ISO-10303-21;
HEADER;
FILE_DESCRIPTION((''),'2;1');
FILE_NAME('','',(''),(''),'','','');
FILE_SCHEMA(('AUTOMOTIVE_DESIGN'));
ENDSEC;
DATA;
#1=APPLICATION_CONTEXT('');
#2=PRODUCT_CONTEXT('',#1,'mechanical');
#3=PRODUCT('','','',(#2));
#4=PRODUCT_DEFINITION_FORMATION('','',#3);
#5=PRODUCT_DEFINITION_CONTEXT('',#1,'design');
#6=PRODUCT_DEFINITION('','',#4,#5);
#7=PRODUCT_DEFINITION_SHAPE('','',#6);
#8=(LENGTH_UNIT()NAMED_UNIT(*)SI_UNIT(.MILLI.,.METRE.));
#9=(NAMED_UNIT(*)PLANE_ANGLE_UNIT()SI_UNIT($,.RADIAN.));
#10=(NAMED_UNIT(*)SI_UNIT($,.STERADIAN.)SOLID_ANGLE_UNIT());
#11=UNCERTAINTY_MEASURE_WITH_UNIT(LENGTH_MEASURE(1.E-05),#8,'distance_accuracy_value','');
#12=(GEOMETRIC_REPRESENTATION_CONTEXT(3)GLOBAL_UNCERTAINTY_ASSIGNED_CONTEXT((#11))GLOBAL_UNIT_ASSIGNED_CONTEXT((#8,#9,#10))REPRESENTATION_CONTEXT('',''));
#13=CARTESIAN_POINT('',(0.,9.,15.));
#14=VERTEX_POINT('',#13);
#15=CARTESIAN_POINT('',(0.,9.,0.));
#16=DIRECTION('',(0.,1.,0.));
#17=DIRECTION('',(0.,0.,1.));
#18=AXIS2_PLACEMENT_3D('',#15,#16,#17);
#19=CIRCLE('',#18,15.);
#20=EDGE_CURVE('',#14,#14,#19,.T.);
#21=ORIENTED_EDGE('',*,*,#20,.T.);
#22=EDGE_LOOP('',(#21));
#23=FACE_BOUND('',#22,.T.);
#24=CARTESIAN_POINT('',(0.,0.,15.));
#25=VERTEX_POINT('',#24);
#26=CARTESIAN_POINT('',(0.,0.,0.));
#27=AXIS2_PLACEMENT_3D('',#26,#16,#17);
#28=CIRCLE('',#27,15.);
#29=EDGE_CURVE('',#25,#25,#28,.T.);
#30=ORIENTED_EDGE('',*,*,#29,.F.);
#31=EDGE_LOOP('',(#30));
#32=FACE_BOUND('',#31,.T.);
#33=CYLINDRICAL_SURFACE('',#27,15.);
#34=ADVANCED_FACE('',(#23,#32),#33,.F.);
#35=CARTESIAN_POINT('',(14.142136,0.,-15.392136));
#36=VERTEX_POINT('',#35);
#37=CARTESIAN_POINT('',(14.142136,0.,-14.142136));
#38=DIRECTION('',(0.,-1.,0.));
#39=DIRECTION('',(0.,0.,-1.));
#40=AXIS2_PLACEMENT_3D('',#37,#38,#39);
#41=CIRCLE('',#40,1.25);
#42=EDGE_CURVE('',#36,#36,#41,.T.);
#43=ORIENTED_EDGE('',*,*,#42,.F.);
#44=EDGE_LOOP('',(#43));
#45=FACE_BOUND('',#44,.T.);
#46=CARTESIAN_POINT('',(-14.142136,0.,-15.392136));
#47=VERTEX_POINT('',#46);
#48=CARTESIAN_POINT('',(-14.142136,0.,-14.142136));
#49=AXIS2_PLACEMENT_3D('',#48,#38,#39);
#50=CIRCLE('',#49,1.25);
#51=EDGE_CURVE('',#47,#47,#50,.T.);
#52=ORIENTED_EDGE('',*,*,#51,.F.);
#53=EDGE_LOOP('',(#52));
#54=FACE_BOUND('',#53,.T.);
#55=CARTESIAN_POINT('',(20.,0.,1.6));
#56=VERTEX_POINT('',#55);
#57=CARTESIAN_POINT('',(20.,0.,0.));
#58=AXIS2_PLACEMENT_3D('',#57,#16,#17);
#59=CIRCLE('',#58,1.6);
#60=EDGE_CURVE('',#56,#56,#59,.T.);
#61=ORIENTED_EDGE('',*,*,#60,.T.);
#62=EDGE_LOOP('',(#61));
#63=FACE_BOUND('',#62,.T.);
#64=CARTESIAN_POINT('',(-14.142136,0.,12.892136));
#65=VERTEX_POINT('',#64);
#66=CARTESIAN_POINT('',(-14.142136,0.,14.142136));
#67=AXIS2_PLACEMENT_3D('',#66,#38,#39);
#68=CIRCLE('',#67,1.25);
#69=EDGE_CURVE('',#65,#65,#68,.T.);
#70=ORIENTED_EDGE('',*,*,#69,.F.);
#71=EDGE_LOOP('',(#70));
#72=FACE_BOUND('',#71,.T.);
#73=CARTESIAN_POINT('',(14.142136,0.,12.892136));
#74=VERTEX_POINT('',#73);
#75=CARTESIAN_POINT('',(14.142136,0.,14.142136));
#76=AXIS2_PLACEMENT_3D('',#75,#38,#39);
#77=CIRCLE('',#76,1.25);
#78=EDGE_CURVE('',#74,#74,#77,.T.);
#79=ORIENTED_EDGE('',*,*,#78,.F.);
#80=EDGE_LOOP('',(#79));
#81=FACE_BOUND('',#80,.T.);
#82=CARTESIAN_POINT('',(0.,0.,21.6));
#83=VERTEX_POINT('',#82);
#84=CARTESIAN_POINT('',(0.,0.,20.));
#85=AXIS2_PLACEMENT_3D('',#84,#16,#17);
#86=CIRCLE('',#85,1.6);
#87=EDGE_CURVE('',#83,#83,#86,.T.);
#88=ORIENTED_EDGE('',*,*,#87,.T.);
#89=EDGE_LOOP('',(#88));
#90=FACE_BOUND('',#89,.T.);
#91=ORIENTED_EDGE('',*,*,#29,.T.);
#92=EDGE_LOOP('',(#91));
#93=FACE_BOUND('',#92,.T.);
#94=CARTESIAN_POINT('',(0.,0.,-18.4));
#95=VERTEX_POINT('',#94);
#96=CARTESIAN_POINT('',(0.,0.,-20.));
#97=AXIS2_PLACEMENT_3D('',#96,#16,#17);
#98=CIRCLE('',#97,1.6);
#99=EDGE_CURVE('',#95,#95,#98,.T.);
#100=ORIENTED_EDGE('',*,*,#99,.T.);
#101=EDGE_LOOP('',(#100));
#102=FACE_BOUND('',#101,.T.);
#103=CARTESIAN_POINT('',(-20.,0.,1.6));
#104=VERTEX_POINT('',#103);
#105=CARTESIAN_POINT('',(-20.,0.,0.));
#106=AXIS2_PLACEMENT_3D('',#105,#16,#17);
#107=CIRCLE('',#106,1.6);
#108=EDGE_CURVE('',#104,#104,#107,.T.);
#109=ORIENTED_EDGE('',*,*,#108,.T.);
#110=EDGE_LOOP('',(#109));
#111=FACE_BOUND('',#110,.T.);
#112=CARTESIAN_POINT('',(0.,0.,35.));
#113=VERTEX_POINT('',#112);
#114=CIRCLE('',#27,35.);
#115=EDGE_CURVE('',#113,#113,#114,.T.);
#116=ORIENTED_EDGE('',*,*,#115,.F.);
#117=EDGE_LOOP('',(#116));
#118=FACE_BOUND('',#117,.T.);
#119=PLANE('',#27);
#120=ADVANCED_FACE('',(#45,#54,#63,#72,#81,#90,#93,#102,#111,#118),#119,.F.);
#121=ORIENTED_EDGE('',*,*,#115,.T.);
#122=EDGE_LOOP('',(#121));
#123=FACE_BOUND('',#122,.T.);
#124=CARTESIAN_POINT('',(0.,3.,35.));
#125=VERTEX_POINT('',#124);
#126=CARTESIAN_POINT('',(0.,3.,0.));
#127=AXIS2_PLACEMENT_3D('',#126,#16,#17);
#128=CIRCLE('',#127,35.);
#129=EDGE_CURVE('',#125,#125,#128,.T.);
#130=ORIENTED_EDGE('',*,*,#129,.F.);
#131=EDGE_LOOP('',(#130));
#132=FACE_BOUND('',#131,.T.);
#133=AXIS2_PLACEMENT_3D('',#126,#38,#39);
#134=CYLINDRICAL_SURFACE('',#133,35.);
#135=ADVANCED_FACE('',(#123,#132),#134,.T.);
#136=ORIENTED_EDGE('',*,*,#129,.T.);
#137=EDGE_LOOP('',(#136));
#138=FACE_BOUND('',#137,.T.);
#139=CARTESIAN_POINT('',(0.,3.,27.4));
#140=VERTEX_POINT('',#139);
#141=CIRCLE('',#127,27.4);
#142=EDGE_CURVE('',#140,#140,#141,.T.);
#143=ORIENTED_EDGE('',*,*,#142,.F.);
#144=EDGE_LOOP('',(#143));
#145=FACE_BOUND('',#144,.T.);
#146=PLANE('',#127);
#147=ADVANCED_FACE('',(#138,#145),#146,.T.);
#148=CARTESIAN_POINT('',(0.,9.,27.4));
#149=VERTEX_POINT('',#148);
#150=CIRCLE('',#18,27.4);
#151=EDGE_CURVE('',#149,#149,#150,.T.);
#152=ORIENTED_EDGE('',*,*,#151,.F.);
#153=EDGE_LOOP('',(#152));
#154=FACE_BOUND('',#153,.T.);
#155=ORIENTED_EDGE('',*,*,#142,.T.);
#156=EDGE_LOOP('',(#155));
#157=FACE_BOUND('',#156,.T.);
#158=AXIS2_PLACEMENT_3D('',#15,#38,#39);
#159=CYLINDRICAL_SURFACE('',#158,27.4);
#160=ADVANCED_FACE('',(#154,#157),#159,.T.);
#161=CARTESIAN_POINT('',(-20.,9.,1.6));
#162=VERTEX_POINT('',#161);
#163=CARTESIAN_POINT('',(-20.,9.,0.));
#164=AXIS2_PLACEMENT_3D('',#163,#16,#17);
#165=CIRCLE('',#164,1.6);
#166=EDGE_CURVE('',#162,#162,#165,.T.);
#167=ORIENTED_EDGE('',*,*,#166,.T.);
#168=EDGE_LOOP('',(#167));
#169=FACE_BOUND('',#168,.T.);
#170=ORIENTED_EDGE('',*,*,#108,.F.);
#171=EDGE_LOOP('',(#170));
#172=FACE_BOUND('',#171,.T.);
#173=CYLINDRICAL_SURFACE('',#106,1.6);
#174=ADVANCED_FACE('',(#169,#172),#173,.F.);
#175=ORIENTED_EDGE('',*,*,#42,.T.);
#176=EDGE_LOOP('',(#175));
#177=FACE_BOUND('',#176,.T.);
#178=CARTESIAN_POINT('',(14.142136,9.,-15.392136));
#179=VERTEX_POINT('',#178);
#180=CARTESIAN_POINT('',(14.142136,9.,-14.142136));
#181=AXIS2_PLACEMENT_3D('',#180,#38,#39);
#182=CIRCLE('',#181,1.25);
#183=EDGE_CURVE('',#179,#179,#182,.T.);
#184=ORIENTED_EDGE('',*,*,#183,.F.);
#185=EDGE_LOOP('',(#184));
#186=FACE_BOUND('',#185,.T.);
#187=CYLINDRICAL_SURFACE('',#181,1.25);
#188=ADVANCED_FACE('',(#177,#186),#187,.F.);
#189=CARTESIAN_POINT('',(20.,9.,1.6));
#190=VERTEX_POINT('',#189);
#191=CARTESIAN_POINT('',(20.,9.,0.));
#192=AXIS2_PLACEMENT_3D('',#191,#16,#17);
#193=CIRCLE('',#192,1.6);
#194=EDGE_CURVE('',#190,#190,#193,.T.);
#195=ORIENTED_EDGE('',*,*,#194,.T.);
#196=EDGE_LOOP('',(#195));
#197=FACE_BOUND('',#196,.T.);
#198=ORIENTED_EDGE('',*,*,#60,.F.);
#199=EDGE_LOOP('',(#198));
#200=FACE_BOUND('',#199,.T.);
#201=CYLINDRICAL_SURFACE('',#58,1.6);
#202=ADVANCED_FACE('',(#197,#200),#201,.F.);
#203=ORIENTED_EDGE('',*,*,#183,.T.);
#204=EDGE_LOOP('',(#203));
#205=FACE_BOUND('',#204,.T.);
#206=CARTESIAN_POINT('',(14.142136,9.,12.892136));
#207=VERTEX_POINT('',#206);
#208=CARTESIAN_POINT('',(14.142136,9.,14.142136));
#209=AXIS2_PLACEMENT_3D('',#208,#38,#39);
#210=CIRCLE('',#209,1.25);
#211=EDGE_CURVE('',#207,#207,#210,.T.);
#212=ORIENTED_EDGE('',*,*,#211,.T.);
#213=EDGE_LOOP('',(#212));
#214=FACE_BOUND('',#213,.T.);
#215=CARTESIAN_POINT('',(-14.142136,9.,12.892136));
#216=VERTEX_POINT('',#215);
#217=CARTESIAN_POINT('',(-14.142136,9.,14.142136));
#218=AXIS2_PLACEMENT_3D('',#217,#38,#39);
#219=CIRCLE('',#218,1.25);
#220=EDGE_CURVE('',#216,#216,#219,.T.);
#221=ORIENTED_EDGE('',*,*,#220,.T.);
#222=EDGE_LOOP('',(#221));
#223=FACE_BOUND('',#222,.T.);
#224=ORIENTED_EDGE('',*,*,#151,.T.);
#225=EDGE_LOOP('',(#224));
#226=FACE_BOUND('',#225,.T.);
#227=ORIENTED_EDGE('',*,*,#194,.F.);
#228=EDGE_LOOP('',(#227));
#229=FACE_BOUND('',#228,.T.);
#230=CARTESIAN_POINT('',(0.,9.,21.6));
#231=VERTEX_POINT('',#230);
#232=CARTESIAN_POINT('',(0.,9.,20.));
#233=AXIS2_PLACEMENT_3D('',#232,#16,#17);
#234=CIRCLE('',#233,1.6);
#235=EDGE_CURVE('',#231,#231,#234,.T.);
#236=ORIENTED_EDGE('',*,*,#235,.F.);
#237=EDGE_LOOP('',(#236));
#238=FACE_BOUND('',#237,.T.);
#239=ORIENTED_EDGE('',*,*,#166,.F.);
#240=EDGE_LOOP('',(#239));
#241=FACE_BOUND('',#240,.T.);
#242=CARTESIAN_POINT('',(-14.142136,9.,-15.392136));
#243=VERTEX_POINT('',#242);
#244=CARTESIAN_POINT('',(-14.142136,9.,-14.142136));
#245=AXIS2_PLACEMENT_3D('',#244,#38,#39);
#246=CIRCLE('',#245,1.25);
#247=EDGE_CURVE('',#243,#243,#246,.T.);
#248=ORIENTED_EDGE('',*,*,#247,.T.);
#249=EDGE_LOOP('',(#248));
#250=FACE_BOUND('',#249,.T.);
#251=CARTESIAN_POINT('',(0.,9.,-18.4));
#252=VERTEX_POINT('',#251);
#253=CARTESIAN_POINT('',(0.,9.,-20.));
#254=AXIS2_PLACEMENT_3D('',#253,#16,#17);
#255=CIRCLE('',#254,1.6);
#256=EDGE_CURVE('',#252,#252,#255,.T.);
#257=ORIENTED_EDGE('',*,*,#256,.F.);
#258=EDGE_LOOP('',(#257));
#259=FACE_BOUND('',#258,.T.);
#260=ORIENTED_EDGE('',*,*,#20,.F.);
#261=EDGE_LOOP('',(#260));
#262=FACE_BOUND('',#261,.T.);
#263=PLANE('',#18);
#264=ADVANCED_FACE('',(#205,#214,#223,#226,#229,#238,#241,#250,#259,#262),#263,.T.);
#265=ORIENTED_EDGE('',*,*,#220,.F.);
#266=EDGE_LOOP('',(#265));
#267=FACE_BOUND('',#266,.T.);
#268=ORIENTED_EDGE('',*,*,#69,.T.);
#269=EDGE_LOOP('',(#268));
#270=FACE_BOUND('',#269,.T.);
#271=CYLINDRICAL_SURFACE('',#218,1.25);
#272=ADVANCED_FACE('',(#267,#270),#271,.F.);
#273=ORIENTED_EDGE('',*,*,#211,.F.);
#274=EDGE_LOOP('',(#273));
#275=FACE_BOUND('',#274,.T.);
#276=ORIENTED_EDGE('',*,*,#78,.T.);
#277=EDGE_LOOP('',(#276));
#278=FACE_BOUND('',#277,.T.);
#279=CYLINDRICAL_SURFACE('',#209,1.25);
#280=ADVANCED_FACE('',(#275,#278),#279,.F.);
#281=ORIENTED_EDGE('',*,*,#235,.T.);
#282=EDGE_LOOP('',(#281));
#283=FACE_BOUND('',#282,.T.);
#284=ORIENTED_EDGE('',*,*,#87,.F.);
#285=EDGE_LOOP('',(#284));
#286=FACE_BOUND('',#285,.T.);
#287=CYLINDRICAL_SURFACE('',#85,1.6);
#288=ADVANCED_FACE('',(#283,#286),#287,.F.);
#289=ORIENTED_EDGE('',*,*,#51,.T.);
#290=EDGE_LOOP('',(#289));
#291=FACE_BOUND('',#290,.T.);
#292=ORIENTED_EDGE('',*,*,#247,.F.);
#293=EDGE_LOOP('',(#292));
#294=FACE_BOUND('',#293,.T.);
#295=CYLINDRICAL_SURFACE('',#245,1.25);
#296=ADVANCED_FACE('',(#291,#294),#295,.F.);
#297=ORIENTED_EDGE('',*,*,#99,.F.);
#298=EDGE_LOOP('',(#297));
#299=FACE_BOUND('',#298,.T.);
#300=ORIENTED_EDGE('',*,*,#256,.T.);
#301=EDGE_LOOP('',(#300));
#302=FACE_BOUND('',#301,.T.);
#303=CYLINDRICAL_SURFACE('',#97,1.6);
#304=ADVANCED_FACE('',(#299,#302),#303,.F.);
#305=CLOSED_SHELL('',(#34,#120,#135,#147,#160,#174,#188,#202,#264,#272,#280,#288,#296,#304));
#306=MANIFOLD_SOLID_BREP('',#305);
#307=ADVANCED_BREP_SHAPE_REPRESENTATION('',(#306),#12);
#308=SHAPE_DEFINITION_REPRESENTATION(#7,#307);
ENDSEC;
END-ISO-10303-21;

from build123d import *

# Parameters (mm, degrees)
SKETCH_1_R          = 35
EXTRUDE_1_DEPTH     = 3
SKETCH_2_R          = 27.4
EXTRUDE_2_DEPTH     = 6
SKETCH_3_R          = 1.6
CUT_EXTRUDE_1_DEPTH = 51.309044912
SKETCH_4_R          = 15
CUT_EXTRUDE_2_DEPTH = 51.309044912
SKETCH_5_R          = 1.25
CUT_EXTRUDE_3_DEPTH = 51.309044912


with BuildPart() as part:
    # ｽｹｯﾁ1 → ﾎﾞｽ - 押し出し1 (new body)
    with BuildSketch(Plane(origin=(0, 0, 0), x_dir=(1, 0, 0), z_dir=(0, 1, 0))):
        with Locations(Location((0, 0, 0), (0, 0, 270))):
            Circle(SKETCH_1_R)
    extrude(amount=EXTRUDE_1_DEPTH)

    # ｽｹｯﾁ2 → ﾎﾞｽ - 押し出し2 (add)
    with BuildSketch(Plane(origin=(0, 3, 0), x_dir=(1, 0, 0), z_dir=(0, 1, 0))):
        with Locations(Location((0, 0, 0), (0, 0, 270))):
            Circle(SKETCH_2_R)
    extrude(amount=EXTRUDE_2_DEPTH)

    # ｽｹｯﾁ3 → ｶｯﾄ - 押し出し1 (cut, through all)
    with BuildSketch(Plane(origin=(0, 9, 0), x_dir=(1, 0, 0), z_dir=(0, 1, 0))):
        with Locations(Location((0, 20, 0), (0, 0, 270))):
            Circle(SKETCH_3_R)
        with Locations(Location((20, 0, 0), (0, 0, 270))):
            Circle(SKETCH_3_R)
        with Locations(Location((0, -20, 0), (0, 0, 270))):
            Circle(SKETCH_3_R)
        with Locations(Location((-20, 0, 0), (0, 0, 270))):
            Circle(SKETCH_3_R)
    extrude(amount=-CUT_EXTRUDE_1_DEPTH, mode=Mode.SUBTRACT)

    # ｽｹｯﾁ4 → ｶｯﾄ - 押し出し2 (cut, through all)
    with BuildSketch(Plane(origin=(0, 9, 0), x_dir=(1, 0, 0), z_dir=(0, 1, 0))):
        with Locations(Location((0, 0, 0), (0, 0, 270))):
            Circle(SKETCH_4_R)
    extrude(amount=-CUT_EXTRUDE_2_DEPTH, mode=Mode.SUBTRACT)

    # ｽｹｯﾁ5 → ｶｯﾄ - 押し出し3 (cut, through all)
    with BuildSketch(Plane.XZ):
        with Locations(Location((-14.142135624, 14.142135624, 0), (0, 0, 270))):
            Circle(SKETCH_5_R)
        with Locations(Location((14.142135624, 14.142135624, 0), (0, 0, 270))):
            Circle(SKETCH_5_R)
        with Locations(Location((14.142135624, -14.142135624, 0), (0, 0, 270))):
            Circle(SKETCH_5_R)
        with Locations(Location((-14.142135624, -14.142135624, 0), (0, 0, 270))):
            Circle(SKETCH_5_R)
    extrude(amount=-CUT_EXTRUDE_3_DEPTH, mode=Mode.SUBTRACT)


solid = part.part
